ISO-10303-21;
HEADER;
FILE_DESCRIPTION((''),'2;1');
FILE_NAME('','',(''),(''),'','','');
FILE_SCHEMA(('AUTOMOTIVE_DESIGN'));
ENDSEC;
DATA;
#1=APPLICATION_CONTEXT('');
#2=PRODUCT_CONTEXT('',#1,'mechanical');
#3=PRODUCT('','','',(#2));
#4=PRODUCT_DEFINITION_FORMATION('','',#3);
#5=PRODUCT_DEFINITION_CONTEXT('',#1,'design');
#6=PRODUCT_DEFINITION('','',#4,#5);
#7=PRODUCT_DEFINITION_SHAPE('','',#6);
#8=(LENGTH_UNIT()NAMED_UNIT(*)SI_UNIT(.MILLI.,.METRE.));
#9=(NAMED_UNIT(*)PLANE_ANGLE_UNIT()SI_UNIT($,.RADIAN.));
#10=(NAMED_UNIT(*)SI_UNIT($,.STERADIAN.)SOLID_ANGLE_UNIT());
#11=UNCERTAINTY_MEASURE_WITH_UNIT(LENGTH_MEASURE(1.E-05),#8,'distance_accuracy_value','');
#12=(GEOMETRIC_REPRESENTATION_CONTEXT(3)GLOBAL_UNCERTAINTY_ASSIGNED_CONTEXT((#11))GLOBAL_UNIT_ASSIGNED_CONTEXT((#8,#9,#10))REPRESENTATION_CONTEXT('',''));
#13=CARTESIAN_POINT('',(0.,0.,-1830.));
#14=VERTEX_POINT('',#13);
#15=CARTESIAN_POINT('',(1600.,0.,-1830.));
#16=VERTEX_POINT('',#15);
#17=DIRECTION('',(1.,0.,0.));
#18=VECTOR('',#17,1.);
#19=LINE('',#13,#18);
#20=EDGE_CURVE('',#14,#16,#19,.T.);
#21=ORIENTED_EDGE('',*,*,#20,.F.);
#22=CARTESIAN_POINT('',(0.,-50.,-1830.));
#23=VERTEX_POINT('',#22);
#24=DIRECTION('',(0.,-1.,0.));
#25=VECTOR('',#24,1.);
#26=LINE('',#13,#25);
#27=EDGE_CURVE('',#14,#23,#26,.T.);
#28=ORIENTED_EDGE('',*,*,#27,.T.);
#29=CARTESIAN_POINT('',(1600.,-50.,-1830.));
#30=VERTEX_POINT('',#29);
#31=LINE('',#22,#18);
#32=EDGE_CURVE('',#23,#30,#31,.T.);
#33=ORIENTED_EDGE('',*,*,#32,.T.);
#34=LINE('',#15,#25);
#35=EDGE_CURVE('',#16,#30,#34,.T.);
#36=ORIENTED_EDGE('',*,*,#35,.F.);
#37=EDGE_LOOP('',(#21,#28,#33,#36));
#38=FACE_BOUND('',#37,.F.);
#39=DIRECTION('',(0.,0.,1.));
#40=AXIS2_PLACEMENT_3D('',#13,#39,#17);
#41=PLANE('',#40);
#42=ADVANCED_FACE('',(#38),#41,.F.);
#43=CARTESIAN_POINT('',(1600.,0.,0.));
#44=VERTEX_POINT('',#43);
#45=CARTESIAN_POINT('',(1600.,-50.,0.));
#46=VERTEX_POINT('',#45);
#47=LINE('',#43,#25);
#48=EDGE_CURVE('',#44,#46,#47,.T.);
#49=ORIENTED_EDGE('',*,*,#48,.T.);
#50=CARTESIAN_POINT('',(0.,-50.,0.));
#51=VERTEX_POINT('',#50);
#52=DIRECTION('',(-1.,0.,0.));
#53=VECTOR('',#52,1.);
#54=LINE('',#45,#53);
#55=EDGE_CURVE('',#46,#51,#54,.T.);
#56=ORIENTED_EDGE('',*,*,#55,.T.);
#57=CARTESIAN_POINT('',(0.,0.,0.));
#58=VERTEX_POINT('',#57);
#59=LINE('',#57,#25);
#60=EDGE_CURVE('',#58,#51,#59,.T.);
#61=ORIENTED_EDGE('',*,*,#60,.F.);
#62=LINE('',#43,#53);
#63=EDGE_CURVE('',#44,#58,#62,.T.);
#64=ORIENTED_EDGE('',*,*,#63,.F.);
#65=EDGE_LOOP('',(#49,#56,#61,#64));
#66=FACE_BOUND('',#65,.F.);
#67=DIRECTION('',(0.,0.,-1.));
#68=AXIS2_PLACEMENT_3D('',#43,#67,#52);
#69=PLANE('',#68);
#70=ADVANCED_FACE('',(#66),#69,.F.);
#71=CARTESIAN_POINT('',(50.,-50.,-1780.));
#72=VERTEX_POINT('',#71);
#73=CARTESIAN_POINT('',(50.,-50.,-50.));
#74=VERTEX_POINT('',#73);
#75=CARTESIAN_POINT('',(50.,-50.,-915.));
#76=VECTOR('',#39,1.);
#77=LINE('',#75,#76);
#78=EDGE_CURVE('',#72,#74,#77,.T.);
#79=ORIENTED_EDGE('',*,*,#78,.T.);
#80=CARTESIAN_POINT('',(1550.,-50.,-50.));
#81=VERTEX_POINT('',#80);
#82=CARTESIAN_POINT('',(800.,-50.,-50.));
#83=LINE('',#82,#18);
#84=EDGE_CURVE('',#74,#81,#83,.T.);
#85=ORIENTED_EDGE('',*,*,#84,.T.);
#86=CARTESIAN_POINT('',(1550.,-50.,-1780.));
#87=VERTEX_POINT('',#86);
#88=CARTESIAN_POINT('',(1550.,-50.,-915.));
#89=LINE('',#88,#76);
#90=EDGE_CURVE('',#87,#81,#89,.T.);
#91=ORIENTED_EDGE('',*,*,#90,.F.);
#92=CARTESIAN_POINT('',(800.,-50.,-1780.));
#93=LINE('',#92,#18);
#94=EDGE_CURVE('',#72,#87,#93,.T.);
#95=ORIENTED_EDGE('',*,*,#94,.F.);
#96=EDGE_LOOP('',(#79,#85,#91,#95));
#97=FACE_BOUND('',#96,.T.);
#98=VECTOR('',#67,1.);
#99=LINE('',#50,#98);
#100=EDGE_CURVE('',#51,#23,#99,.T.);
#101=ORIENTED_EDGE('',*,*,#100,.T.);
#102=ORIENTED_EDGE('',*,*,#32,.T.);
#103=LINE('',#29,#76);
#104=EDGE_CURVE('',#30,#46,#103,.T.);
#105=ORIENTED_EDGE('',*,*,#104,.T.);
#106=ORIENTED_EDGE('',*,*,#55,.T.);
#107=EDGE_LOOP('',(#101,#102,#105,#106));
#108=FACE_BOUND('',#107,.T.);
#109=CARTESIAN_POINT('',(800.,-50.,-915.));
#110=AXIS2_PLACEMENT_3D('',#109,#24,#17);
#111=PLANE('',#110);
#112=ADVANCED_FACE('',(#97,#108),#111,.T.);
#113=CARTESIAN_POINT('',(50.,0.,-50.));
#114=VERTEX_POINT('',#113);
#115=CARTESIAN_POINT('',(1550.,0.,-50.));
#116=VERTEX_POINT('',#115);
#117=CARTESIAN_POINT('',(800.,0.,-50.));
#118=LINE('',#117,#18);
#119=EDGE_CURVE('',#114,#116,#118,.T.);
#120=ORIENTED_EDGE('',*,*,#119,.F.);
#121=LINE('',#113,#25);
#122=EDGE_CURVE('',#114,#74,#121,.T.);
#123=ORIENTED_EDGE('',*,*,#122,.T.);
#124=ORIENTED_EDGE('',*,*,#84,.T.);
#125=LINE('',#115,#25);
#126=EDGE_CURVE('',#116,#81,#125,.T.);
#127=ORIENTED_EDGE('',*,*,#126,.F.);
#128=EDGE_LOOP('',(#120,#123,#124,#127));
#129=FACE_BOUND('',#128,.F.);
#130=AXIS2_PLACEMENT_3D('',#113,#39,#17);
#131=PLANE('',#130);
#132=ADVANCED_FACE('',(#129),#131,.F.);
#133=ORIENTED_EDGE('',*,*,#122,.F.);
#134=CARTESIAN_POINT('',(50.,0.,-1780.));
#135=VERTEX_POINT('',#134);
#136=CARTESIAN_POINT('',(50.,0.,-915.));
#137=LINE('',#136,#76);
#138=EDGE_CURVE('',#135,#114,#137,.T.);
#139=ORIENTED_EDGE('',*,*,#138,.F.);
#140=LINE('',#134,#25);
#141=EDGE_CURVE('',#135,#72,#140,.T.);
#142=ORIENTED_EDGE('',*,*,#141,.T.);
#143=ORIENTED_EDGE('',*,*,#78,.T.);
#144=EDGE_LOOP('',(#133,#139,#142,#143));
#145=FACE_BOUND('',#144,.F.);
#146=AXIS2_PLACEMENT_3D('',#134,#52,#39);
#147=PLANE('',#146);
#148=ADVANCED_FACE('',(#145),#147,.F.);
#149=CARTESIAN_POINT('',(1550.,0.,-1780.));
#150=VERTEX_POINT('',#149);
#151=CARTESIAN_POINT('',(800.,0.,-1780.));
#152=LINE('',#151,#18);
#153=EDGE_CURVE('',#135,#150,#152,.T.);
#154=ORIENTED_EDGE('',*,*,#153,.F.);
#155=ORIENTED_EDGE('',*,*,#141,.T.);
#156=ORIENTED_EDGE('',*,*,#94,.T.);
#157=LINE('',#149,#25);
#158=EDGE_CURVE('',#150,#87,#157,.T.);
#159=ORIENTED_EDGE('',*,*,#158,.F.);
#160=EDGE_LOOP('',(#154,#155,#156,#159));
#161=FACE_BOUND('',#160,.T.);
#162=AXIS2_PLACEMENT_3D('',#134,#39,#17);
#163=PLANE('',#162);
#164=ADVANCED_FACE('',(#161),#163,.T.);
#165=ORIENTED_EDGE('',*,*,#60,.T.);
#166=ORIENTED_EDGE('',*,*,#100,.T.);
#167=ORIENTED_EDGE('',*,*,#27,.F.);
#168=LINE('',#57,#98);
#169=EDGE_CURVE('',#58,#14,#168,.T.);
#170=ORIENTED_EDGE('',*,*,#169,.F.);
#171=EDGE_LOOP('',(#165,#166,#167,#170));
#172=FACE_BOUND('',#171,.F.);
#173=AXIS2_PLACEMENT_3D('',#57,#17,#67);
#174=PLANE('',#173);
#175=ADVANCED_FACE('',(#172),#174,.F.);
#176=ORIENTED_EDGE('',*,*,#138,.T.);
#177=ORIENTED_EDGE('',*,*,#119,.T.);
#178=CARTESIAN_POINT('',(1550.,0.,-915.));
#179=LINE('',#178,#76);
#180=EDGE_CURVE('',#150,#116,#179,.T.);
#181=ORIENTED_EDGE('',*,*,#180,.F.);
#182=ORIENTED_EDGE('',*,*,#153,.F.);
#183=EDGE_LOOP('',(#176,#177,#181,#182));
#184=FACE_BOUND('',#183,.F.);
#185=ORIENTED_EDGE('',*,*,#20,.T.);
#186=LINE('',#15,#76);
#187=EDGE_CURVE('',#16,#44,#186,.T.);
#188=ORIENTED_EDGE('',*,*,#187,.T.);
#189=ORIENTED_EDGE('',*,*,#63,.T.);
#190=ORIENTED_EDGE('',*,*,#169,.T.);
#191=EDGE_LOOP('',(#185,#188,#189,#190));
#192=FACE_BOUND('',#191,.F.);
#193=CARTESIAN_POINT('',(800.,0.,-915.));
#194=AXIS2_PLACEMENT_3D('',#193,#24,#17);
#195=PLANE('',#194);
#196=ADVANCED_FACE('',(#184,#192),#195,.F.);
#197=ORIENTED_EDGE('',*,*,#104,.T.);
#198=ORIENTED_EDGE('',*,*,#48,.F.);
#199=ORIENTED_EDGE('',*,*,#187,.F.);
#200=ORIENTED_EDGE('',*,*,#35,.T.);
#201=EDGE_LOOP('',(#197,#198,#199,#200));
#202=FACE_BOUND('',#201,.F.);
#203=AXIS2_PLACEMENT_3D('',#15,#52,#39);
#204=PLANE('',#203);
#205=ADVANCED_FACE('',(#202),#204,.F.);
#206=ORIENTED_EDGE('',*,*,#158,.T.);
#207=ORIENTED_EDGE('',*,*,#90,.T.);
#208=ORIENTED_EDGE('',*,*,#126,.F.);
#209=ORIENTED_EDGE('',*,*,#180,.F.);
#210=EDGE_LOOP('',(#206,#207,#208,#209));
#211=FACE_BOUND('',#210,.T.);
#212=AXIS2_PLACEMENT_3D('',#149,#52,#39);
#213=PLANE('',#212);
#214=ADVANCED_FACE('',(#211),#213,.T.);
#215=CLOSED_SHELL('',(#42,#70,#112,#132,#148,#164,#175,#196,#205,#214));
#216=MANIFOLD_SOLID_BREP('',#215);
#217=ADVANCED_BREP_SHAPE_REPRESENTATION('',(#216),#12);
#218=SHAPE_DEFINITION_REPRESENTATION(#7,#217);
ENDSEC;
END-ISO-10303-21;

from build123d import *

# Parameters (mm, degrees)
F0_W     = 1500
F0_H     = 1730
F1_DEPTH = 50


with BuildPart() as f1:
    # F0 (on Front) → F1 (new body)
    with BuildSketch(Plane.XZ):
        Polygon((1550, 0), (0, 0), (0, -1830), (1600, -1830), (1600, 0), align=None)
        with Locations((800, -915)):
            Rectangle(F0_W, F0_H, mode=Mode.SUBTRACT)
    extrude(amount=F1_DEPTH)


solid = f1.part
